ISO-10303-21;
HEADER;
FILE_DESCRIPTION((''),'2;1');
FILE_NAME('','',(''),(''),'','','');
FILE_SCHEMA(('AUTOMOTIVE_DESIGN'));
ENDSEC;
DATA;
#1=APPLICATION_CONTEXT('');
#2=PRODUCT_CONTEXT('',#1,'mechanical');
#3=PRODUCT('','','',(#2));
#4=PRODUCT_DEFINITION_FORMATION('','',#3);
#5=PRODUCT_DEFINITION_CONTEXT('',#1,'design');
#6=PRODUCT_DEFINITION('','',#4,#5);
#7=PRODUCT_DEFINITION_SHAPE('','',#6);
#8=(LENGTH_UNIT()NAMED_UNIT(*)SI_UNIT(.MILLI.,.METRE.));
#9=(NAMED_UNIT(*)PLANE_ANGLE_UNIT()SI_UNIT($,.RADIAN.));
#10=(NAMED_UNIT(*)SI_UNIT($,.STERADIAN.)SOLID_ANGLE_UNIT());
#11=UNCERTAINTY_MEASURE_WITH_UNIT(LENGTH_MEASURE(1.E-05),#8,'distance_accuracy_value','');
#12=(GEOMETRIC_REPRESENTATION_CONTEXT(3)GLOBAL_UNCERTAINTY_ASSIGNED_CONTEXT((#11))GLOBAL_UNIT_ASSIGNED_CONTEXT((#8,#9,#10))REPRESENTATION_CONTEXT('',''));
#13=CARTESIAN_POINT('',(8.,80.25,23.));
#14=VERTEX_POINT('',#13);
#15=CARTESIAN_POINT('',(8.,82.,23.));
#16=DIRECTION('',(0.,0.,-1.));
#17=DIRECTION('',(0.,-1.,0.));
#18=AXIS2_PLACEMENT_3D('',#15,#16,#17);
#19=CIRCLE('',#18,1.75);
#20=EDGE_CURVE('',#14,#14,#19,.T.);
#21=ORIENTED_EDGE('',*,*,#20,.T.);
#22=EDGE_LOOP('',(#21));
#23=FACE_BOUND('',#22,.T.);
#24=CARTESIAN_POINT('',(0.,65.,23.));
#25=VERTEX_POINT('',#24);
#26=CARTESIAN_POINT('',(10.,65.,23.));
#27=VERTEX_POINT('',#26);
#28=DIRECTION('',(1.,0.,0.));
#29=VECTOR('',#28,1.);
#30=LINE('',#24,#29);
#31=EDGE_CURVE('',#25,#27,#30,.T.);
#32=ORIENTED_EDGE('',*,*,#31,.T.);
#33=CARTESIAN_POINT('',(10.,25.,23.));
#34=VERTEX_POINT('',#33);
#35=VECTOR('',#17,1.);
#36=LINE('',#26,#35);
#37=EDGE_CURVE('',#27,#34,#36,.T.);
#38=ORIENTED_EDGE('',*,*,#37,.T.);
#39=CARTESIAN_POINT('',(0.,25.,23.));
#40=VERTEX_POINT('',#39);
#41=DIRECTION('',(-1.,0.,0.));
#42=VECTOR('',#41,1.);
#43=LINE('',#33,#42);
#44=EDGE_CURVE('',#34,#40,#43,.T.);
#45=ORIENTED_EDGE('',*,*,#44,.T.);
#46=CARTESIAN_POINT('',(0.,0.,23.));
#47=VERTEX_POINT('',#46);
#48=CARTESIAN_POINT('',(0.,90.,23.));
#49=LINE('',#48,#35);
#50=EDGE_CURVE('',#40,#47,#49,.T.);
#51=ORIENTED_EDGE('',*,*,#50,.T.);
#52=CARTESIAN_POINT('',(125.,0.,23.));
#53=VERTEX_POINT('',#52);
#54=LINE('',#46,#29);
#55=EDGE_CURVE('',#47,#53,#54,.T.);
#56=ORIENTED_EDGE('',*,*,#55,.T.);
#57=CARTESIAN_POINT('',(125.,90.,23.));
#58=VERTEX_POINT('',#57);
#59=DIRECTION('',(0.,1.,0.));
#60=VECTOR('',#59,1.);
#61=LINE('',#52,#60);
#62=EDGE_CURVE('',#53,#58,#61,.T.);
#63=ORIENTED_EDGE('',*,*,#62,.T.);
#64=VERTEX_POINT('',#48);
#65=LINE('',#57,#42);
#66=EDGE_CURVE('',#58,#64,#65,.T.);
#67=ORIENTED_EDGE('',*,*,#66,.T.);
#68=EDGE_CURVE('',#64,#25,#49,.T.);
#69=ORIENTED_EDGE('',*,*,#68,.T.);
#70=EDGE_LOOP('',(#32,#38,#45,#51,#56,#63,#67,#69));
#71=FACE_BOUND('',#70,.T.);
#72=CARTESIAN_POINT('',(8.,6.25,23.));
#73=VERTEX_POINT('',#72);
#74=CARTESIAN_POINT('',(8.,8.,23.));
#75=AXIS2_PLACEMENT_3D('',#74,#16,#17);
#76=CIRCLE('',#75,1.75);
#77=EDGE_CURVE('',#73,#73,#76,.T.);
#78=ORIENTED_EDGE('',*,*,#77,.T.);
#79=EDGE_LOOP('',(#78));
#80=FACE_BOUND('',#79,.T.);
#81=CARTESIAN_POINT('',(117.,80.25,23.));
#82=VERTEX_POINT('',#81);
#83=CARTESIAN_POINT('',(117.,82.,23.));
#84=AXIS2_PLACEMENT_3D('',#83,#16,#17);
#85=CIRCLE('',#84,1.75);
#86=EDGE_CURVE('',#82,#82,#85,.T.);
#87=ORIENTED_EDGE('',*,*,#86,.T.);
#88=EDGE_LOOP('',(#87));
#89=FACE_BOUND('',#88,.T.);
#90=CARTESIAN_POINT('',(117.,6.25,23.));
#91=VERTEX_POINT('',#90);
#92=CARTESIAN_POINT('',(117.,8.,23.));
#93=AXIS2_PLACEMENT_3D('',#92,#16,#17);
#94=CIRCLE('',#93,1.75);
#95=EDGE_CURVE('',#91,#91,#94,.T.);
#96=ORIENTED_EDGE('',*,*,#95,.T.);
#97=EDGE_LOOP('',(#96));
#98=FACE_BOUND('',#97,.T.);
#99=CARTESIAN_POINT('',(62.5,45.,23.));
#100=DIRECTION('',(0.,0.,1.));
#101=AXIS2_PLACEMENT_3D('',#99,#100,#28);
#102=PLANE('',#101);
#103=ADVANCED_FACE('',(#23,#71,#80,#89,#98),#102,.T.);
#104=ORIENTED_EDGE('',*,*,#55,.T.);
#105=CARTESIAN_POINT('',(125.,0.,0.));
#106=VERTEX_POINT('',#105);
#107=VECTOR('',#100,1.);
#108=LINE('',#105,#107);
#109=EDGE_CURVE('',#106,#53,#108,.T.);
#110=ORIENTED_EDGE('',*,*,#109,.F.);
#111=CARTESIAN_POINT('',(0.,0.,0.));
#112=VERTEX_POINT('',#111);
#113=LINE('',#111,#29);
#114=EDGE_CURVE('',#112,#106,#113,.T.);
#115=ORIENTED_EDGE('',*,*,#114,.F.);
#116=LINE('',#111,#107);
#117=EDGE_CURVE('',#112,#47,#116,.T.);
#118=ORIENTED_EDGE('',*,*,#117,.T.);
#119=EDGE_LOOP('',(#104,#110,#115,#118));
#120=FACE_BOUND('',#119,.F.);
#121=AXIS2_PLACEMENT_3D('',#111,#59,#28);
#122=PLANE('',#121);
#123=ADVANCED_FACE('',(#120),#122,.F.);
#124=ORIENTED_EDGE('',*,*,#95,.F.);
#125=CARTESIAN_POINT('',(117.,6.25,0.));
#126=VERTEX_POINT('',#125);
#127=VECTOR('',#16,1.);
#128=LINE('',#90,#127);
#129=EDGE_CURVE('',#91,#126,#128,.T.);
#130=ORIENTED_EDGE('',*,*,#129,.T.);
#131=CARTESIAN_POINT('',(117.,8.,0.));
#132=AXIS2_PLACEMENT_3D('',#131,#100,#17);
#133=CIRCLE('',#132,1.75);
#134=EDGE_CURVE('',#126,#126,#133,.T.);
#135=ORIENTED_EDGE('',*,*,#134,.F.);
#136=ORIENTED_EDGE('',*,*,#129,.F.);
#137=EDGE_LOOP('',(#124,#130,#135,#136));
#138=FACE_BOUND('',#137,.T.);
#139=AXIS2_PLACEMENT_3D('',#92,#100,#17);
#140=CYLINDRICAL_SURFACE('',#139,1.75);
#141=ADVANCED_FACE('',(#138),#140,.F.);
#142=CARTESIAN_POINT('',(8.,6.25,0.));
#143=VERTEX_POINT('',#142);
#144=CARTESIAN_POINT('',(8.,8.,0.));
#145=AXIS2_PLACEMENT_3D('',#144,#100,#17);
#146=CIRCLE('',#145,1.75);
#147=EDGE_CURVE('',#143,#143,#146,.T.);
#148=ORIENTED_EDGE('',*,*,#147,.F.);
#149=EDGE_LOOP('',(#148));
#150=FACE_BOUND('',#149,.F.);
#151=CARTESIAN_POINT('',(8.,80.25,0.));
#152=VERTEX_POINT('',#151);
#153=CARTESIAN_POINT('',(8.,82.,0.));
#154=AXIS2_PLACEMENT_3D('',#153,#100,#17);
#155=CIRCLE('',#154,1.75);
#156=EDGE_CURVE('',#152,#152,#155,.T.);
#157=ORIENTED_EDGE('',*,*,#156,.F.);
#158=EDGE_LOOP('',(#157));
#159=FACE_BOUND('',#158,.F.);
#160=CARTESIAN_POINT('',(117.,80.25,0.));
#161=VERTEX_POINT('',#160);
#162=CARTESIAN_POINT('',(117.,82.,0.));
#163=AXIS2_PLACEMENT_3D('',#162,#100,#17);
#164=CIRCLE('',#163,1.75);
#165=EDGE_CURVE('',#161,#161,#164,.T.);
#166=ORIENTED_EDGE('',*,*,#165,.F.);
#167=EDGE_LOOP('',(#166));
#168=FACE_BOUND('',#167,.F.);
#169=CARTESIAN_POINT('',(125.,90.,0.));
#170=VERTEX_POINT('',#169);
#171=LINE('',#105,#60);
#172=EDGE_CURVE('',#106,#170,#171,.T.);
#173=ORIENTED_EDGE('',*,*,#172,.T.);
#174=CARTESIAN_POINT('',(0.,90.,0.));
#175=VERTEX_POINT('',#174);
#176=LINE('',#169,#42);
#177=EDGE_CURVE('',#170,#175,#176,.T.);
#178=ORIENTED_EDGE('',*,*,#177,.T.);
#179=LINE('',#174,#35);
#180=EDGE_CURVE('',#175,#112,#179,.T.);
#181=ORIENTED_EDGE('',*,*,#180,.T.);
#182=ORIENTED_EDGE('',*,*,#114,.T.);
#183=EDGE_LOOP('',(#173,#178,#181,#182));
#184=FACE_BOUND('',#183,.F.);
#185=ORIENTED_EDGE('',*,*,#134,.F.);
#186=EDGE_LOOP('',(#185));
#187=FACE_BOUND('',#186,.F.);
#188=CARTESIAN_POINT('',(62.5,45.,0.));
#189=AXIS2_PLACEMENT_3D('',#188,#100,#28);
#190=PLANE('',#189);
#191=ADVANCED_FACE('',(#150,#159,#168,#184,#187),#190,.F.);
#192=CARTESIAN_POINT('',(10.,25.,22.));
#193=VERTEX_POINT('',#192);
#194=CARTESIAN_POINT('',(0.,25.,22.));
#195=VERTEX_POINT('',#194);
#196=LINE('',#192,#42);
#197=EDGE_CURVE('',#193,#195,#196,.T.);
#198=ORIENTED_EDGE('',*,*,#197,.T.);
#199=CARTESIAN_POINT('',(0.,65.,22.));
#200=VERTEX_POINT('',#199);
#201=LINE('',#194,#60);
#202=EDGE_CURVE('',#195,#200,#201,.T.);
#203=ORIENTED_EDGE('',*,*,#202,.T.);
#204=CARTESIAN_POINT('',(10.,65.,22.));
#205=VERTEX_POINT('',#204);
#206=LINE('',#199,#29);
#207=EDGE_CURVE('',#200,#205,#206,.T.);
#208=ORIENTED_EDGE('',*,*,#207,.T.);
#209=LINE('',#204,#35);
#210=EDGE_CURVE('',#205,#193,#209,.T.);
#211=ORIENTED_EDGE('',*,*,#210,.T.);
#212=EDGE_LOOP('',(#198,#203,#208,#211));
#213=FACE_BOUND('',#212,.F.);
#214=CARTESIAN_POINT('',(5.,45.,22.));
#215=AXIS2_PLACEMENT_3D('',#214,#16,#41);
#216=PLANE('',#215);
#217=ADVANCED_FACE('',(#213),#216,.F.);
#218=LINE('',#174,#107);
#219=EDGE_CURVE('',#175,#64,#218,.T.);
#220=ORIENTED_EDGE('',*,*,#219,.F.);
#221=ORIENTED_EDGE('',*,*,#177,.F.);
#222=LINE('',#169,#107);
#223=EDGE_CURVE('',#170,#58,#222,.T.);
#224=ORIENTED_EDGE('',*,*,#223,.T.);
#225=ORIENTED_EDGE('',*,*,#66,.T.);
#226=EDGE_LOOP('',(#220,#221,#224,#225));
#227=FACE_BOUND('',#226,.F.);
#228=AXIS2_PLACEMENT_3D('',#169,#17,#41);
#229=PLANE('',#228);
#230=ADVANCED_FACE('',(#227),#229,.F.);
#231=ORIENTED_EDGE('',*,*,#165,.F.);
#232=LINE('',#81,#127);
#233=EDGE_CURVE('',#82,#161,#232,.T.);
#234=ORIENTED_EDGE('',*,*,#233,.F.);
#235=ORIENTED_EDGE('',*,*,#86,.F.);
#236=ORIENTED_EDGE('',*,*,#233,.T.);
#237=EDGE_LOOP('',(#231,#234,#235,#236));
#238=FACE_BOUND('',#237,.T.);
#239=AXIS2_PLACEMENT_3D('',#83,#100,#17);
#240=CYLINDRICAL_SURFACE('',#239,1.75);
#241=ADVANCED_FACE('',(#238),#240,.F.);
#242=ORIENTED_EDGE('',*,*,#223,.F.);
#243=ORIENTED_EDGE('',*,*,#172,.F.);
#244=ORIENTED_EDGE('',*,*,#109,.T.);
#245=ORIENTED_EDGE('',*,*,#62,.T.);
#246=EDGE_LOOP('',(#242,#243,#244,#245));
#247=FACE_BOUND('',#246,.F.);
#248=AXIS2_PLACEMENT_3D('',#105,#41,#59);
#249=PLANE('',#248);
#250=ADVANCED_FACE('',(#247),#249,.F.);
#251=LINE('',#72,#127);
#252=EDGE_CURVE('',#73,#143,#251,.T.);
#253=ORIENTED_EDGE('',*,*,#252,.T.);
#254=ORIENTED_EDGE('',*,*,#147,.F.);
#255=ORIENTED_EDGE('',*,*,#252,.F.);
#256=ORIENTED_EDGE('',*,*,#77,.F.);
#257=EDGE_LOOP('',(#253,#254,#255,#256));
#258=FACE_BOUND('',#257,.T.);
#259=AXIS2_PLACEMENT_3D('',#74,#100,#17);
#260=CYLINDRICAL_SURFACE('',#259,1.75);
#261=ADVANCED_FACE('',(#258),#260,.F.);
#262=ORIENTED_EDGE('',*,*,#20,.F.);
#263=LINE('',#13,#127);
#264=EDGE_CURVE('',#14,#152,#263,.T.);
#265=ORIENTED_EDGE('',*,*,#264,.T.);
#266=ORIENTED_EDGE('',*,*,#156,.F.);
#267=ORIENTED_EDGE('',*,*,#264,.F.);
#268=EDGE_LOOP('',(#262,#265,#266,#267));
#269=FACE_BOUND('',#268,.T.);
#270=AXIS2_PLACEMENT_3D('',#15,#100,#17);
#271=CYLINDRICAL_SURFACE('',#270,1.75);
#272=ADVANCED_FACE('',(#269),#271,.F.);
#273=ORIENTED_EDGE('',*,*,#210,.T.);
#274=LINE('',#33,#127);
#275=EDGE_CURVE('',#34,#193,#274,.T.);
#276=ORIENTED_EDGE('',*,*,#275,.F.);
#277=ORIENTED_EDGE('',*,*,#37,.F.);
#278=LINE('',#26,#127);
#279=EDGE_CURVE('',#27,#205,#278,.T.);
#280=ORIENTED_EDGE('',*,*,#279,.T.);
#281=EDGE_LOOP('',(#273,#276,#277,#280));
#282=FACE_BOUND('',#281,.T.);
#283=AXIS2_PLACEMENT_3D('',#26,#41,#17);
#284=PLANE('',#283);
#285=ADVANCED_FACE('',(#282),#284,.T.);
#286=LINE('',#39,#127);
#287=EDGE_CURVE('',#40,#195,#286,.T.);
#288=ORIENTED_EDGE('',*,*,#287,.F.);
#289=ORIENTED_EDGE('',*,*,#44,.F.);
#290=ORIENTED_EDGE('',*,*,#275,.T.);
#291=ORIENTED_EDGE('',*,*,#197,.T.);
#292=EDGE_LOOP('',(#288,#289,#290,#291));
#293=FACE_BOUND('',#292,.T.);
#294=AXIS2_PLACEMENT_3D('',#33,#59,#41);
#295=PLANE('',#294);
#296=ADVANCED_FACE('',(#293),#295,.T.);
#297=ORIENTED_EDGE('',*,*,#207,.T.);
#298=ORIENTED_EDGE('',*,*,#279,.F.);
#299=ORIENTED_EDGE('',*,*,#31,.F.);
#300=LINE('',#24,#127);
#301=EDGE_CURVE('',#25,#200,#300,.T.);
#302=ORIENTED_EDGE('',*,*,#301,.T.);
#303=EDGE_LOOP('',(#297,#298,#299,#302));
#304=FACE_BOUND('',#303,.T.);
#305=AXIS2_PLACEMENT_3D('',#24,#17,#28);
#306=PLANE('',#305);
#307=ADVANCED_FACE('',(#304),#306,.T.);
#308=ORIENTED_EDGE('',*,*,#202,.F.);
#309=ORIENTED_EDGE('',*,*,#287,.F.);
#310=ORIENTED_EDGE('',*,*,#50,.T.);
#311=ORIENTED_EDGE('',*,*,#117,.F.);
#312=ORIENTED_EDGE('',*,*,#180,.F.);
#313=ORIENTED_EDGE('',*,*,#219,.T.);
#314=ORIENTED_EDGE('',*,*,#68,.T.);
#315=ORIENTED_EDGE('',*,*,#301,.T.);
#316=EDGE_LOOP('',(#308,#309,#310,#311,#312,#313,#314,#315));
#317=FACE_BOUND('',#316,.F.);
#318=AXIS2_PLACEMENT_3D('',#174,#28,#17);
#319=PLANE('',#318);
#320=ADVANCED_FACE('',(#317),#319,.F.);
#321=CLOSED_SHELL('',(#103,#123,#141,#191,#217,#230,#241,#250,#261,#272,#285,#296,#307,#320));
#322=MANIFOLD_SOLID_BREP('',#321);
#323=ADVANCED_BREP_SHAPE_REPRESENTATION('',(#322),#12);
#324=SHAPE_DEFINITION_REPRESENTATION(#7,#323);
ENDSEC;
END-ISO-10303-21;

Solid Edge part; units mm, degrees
sketch "Sketch1" plane through (0, 0, 0) normal (0, 0, 1) x (1, 0, 0)
  line L0 (0, 0) -> (125, 0)
  line L1 (125, 0) -> (125, 90)
  line L2 (125, 90) -> (0, 90)
  line L3 (0, 90) -> (0, 0)
  dimension "D1" = 125
  dimension "D2" = 90
extrude "Protrusion1" add sketch "Sketch1" along normal blind 23
hole "Bohrung_1" at (8, 82, 23) direction (0, 0, -1) diameter 3.5 end through all
hole "Hole1" at (117, 82, 23) direction (0, 0, -1) diameter 3.5 end through all
hole "Hole2" at (8, 8, 23) direction (0, 0, -1) diameter 3.5 end through all
hole "Hole3" at (117, 8, 23) direction (0, 0, -1) diameter 3.5 end through all
sketch "Sketch2" plane through (62.5, 45, 23) normal (0, 0, 1) x (1, 0, 0)
  line L0 (-62.5, 20) -> (-52.5, 20)
  line L1 (-52.5, 20) -> (-52.5, -20)
  line L2 (-52.5, -20) -> (-62.5, -20)
  line L3 (-62.5, -20) -> (-62.5, 20)
  dimension "D1" = 10
  dimension "D2" = 40
extrude "Cutout1" cut sketch "Sketch2" against normal blind 1
properties material "Elektronik"
